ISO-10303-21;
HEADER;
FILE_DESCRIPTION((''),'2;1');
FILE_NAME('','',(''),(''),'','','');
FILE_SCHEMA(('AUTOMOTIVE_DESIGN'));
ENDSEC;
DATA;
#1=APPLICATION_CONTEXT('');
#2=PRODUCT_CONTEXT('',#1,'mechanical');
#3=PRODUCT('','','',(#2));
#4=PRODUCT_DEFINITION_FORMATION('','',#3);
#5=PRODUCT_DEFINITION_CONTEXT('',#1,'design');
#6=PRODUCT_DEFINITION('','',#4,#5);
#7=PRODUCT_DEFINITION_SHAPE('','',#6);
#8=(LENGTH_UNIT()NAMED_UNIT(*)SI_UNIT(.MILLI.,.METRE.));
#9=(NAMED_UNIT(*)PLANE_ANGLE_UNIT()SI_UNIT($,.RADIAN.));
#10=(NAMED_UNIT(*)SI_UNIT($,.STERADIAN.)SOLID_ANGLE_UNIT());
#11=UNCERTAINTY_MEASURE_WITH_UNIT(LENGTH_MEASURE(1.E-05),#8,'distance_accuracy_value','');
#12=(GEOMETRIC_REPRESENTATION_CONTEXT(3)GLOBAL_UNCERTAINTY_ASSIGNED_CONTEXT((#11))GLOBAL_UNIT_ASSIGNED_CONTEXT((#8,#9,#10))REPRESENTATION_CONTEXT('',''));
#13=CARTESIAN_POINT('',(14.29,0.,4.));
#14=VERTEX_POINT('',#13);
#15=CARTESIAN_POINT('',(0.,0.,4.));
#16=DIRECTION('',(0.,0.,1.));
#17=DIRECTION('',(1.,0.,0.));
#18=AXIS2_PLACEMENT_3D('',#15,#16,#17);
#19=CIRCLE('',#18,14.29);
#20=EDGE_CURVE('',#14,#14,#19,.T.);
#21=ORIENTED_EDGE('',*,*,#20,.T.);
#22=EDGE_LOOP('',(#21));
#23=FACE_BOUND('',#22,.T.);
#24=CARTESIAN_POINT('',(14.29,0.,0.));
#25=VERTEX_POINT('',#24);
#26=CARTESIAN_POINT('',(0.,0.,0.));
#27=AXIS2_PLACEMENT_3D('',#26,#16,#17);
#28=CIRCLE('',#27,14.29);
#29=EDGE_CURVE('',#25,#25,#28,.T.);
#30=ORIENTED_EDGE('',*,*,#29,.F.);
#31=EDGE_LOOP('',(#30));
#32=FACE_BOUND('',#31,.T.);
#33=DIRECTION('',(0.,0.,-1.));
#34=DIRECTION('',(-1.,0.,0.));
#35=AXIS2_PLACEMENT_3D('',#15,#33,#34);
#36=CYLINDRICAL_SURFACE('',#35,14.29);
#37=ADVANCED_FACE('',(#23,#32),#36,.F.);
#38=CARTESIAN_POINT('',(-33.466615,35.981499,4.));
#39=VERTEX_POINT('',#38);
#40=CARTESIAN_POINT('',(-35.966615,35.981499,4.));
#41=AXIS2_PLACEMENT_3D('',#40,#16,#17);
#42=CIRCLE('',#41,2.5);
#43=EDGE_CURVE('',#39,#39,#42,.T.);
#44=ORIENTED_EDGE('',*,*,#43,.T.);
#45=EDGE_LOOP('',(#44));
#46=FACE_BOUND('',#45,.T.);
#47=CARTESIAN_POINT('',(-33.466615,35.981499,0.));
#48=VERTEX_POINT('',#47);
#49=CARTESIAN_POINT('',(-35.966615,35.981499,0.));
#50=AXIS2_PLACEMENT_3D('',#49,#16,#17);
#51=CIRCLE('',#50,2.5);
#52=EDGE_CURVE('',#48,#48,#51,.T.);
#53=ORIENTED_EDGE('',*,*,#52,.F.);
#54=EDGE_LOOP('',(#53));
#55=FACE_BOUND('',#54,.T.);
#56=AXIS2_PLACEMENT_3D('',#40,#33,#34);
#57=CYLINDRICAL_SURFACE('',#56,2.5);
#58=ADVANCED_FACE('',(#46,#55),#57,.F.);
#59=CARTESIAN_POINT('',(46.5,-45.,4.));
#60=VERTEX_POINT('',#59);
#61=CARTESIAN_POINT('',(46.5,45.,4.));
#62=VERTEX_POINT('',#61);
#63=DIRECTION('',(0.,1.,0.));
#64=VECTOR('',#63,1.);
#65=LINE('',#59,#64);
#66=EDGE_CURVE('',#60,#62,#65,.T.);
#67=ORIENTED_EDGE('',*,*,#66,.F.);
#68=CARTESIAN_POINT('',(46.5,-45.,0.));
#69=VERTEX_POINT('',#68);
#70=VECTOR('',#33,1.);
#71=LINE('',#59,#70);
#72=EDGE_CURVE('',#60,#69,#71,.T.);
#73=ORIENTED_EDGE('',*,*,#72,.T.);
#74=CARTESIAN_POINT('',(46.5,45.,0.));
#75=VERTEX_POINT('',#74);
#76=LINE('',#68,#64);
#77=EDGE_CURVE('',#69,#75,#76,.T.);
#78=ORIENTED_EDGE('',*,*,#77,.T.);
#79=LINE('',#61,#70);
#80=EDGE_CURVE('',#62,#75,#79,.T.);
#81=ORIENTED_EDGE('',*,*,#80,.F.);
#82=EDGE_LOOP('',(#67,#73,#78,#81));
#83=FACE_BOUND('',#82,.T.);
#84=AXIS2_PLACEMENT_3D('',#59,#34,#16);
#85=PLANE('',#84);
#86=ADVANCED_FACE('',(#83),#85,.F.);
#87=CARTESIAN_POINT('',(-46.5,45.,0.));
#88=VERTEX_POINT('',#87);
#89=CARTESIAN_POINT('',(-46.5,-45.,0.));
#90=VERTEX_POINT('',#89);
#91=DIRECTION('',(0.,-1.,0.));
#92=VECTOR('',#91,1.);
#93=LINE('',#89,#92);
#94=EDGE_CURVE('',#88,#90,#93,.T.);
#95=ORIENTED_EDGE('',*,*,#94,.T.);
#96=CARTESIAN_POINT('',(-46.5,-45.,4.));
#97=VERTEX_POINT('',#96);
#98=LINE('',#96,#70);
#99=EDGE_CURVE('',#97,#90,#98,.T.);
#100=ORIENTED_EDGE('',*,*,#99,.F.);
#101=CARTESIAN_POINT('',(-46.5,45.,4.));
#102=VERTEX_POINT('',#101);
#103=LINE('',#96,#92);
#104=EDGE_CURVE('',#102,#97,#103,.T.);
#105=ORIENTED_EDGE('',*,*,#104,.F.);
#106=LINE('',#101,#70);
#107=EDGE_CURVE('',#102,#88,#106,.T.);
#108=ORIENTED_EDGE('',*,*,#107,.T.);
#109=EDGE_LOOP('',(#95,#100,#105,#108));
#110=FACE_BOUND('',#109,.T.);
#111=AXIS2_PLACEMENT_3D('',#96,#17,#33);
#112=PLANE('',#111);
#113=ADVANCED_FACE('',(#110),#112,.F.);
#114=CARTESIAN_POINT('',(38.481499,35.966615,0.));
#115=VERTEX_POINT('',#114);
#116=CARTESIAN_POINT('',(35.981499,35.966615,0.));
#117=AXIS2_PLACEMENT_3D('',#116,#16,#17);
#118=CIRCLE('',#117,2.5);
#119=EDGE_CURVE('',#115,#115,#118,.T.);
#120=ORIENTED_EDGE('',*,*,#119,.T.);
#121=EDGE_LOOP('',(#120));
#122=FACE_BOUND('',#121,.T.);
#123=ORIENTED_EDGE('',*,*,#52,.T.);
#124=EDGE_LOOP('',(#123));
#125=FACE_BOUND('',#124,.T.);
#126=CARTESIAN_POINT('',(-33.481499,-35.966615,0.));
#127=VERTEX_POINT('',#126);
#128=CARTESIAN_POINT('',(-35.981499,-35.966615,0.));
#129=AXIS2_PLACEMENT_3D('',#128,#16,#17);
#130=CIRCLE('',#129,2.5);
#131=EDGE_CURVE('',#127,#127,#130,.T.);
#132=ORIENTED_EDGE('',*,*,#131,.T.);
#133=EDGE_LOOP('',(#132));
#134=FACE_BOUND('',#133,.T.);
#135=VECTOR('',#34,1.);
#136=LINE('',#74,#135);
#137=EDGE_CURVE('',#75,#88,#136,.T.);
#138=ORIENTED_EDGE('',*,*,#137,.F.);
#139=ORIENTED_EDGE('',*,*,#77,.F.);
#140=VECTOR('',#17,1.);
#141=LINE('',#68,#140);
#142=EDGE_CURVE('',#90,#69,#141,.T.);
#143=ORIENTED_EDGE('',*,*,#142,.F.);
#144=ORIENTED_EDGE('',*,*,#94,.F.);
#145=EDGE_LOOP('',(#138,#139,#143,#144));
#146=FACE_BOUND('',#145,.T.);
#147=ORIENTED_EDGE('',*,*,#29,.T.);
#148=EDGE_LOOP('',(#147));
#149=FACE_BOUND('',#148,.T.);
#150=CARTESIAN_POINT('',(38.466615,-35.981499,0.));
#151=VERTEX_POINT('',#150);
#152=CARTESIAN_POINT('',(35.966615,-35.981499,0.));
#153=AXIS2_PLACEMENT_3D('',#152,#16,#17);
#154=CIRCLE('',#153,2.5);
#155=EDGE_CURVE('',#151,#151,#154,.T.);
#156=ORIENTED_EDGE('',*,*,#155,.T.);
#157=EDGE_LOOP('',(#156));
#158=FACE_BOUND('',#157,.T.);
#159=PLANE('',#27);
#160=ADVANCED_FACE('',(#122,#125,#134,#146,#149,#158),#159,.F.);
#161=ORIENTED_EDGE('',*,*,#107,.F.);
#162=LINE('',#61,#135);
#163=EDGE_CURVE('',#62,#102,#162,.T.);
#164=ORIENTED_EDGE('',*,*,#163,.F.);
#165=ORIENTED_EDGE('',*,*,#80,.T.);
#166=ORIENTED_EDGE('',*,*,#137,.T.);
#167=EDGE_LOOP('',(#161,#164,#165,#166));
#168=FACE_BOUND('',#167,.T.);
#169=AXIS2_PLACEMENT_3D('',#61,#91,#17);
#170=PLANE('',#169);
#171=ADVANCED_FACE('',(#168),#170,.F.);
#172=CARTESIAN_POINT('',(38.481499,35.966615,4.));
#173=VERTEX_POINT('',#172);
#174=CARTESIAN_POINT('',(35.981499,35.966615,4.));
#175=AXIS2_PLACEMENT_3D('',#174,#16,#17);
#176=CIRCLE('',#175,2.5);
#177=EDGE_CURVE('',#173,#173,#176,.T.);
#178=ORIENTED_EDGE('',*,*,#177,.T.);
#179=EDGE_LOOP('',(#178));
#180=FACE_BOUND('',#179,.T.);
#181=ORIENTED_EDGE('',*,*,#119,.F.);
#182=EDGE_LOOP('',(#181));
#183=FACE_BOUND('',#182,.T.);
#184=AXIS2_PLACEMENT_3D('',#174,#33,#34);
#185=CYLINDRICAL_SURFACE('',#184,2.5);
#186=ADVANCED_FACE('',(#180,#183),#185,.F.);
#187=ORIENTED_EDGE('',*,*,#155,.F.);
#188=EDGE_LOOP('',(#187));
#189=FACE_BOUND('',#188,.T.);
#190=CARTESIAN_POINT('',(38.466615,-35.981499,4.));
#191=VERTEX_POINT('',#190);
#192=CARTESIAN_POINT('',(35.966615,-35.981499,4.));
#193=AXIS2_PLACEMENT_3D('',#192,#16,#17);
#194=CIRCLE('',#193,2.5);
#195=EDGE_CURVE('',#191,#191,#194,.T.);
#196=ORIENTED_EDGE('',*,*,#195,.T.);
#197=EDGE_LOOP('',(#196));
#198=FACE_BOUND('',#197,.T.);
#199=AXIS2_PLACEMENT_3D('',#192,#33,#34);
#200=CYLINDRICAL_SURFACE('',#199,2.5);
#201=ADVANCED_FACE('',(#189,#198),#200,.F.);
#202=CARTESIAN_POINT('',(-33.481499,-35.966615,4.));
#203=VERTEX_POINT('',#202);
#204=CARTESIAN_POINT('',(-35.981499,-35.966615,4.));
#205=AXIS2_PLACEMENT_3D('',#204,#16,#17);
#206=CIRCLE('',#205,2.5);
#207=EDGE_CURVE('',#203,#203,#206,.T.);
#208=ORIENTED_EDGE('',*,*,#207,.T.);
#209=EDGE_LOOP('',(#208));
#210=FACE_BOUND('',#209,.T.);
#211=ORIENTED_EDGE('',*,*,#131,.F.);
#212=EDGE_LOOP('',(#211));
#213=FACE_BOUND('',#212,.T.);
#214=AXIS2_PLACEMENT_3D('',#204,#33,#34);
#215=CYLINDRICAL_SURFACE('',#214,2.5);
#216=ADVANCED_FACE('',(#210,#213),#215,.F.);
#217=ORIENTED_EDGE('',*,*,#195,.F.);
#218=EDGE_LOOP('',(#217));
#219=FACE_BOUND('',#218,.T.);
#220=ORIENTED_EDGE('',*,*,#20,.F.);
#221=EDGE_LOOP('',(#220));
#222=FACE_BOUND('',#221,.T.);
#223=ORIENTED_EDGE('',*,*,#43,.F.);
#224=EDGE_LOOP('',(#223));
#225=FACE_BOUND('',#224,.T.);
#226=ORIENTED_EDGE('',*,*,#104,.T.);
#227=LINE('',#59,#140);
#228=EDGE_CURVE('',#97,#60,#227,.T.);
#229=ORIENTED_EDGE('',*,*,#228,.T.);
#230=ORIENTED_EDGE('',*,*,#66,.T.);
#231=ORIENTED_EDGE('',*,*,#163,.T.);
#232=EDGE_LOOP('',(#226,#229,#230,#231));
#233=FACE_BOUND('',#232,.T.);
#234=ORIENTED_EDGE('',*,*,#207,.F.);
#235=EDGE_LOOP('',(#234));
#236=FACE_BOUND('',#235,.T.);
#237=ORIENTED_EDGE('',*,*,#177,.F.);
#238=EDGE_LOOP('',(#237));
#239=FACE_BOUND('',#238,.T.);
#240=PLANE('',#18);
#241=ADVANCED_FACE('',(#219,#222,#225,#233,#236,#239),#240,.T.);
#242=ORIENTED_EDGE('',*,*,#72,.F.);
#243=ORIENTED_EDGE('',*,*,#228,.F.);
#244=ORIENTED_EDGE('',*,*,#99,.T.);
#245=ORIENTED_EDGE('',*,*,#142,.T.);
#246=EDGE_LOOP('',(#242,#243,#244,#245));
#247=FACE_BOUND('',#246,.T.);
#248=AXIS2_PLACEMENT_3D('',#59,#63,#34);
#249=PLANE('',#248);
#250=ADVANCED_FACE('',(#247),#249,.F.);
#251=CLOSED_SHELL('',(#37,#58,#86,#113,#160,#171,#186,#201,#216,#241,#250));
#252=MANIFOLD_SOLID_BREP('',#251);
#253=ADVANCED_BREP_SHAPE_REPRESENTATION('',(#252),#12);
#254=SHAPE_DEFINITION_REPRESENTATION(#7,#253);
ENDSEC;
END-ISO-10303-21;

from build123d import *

# Parameters (mm, degrees)
SKETCH1_W           = 93
SKETCH1_H           = 90
SKETCH1_R           = 14.29
SKETCH1_R_2         = 2.5
BOSS_EXTRUDE1_DEPTH = 4


with BuildPart() as part:
    # Sketch1 → Boss-Extrude1 (new body)
    with BuildSketch(Plane.XY):
        Rectangle(SKETCH1_W, SKETCH1_H)
        Circle(SKETCH1_R, mode=Mode.SUBTRACT)
        with Locations((-35.981498632, -35.966614814)):
            Circle(SKETCH1_R_2, mode=Mode.SUBTRACT)
        with Locations((-35.966614814, 35.981498632)):
            Circle(SKETCH1_R_2, mode=Mode.SUBTRACT)
        with Locations((35.981498632, 35.966614814)):
            Circle(SKETCH1_R_2, mode=Mode.SUBTRACT)
        with Locations((35.966614814, -35.981498632)):
            Circle(SKETCH1_R_2, mode=Mode.SUBTRACT)
    extrude(amount=BOSS_EXTRUDE1_DEPTH)


solid = part.part
